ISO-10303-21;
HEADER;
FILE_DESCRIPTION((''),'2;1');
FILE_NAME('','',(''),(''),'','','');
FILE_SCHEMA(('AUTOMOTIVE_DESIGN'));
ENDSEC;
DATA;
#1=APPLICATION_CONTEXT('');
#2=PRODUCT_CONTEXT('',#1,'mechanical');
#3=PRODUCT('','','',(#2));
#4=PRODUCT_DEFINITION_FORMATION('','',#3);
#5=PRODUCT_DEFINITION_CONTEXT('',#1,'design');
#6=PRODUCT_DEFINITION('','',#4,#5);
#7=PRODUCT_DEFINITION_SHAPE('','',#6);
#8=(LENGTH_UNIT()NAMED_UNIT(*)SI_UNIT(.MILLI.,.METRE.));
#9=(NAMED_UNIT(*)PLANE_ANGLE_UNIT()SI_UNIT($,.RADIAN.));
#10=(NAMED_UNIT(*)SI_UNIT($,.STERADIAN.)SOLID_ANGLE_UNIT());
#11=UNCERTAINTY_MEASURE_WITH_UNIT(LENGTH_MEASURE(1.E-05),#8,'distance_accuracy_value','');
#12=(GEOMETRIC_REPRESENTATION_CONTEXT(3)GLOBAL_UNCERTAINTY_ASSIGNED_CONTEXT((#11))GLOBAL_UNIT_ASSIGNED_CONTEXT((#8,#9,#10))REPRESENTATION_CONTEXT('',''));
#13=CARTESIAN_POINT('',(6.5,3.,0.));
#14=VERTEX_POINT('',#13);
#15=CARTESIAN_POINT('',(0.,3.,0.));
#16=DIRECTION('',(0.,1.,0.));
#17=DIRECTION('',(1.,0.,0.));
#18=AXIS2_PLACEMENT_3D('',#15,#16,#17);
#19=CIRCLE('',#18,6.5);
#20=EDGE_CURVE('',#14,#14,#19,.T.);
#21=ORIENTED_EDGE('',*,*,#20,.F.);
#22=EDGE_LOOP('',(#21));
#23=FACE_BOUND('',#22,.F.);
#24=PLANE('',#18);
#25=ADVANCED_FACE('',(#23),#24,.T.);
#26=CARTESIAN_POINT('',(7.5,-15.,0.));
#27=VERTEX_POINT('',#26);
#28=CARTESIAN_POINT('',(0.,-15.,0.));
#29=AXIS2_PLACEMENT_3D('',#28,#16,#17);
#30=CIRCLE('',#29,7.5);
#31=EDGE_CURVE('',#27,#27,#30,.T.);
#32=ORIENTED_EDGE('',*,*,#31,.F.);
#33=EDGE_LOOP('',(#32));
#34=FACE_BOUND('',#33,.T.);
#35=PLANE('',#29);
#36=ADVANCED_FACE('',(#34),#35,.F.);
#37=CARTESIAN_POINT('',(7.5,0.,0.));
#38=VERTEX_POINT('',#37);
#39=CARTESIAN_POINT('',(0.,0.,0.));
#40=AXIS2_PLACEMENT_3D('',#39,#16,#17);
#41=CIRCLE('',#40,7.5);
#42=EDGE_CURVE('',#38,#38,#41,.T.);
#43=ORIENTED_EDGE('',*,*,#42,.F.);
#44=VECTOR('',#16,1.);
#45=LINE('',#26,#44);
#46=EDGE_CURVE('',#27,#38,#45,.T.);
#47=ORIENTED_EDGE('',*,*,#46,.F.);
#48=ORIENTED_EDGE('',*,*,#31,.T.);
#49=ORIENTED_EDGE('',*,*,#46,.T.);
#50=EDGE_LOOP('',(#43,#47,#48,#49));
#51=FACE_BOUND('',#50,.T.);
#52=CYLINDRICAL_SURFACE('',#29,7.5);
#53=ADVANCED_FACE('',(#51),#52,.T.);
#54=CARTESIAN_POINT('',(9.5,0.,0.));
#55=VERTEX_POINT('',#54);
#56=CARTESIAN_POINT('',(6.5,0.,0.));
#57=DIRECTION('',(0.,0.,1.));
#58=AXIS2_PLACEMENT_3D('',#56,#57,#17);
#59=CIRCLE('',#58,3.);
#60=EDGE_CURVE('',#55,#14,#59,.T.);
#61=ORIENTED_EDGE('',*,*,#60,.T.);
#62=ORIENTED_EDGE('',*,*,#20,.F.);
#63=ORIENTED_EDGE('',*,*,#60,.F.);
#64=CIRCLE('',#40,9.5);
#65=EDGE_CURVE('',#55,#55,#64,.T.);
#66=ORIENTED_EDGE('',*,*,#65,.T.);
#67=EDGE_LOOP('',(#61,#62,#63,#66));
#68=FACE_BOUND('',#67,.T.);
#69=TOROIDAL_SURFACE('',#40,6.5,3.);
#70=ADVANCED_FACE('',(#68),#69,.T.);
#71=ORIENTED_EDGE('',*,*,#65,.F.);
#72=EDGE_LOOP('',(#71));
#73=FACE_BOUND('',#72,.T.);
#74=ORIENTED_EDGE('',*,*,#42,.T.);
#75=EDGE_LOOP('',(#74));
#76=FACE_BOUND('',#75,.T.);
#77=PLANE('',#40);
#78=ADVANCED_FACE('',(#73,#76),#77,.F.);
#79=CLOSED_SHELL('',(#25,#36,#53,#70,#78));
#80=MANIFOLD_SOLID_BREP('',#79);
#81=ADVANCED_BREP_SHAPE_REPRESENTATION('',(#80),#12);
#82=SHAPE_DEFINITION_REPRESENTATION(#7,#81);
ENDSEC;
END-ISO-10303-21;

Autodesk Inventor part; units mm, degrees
ref_plane "YZ Plane" through (0, 0, 0) normal (1, 0, 0) x (0, 1, 0)
ref_plane "XY Plane" through (0, 0, 0) normal (0, 0, 1) x (1, 0, 0)
sketch "Sketch3" plane through (0, 0, 0) normal (0, 0, 1) x (1, 0, 0)
  line L0 (0, 0) -> (9.5, 0)
  line L1 (0, -15) -> (7.5, -15)
  line L2 (7.5, -15) -> (7.5, 0)
  line L3 (0, -15) -> (0, 3)
  line L4 (9.5, 0) -> (9.5, 0)
  line L5 (0, 3) -> (6.5, 3)
  line L6 (9.5, 0) -> (9.5, 0)
  arc A0 (9.5, 0) -> (6.5, 3) centre (6.5, 0) ccw
  dimension "d6" = 9.5
  dimension "d7" = 7.5
  dimension "d39" = 3
  dimension "d40" = 15
  dimension "d41" = 3
revolve "Revolution1" add sketch "Sketch3" angle 360 about axis through (0, -15, 0) along (0, 1, 0)
ref_plane "Work Plane1" through (0, 5.5, 0) normal (0, 1, 0) x (-1, 0, 0)
sketch "Sketch4" plane through (0, 5.5, 0) normal (0, 1, 0) x (-1, 0, 0)
  line L0 (-9, -9) -> (9, -9) construction
  line L1 (9, -9) -> (9, 9) construction
  line L2 (9, 9) -> (-9, 9) construction
  line L3 (-9, 9) -> (-9, -9) construction
  point P0 (0, 0)
  dimension "d70" = 18
  dimension "d74" = 9
  dimension "d75" = 9
decal "Decal3"
properties part number "tutup" material "Rubber"
